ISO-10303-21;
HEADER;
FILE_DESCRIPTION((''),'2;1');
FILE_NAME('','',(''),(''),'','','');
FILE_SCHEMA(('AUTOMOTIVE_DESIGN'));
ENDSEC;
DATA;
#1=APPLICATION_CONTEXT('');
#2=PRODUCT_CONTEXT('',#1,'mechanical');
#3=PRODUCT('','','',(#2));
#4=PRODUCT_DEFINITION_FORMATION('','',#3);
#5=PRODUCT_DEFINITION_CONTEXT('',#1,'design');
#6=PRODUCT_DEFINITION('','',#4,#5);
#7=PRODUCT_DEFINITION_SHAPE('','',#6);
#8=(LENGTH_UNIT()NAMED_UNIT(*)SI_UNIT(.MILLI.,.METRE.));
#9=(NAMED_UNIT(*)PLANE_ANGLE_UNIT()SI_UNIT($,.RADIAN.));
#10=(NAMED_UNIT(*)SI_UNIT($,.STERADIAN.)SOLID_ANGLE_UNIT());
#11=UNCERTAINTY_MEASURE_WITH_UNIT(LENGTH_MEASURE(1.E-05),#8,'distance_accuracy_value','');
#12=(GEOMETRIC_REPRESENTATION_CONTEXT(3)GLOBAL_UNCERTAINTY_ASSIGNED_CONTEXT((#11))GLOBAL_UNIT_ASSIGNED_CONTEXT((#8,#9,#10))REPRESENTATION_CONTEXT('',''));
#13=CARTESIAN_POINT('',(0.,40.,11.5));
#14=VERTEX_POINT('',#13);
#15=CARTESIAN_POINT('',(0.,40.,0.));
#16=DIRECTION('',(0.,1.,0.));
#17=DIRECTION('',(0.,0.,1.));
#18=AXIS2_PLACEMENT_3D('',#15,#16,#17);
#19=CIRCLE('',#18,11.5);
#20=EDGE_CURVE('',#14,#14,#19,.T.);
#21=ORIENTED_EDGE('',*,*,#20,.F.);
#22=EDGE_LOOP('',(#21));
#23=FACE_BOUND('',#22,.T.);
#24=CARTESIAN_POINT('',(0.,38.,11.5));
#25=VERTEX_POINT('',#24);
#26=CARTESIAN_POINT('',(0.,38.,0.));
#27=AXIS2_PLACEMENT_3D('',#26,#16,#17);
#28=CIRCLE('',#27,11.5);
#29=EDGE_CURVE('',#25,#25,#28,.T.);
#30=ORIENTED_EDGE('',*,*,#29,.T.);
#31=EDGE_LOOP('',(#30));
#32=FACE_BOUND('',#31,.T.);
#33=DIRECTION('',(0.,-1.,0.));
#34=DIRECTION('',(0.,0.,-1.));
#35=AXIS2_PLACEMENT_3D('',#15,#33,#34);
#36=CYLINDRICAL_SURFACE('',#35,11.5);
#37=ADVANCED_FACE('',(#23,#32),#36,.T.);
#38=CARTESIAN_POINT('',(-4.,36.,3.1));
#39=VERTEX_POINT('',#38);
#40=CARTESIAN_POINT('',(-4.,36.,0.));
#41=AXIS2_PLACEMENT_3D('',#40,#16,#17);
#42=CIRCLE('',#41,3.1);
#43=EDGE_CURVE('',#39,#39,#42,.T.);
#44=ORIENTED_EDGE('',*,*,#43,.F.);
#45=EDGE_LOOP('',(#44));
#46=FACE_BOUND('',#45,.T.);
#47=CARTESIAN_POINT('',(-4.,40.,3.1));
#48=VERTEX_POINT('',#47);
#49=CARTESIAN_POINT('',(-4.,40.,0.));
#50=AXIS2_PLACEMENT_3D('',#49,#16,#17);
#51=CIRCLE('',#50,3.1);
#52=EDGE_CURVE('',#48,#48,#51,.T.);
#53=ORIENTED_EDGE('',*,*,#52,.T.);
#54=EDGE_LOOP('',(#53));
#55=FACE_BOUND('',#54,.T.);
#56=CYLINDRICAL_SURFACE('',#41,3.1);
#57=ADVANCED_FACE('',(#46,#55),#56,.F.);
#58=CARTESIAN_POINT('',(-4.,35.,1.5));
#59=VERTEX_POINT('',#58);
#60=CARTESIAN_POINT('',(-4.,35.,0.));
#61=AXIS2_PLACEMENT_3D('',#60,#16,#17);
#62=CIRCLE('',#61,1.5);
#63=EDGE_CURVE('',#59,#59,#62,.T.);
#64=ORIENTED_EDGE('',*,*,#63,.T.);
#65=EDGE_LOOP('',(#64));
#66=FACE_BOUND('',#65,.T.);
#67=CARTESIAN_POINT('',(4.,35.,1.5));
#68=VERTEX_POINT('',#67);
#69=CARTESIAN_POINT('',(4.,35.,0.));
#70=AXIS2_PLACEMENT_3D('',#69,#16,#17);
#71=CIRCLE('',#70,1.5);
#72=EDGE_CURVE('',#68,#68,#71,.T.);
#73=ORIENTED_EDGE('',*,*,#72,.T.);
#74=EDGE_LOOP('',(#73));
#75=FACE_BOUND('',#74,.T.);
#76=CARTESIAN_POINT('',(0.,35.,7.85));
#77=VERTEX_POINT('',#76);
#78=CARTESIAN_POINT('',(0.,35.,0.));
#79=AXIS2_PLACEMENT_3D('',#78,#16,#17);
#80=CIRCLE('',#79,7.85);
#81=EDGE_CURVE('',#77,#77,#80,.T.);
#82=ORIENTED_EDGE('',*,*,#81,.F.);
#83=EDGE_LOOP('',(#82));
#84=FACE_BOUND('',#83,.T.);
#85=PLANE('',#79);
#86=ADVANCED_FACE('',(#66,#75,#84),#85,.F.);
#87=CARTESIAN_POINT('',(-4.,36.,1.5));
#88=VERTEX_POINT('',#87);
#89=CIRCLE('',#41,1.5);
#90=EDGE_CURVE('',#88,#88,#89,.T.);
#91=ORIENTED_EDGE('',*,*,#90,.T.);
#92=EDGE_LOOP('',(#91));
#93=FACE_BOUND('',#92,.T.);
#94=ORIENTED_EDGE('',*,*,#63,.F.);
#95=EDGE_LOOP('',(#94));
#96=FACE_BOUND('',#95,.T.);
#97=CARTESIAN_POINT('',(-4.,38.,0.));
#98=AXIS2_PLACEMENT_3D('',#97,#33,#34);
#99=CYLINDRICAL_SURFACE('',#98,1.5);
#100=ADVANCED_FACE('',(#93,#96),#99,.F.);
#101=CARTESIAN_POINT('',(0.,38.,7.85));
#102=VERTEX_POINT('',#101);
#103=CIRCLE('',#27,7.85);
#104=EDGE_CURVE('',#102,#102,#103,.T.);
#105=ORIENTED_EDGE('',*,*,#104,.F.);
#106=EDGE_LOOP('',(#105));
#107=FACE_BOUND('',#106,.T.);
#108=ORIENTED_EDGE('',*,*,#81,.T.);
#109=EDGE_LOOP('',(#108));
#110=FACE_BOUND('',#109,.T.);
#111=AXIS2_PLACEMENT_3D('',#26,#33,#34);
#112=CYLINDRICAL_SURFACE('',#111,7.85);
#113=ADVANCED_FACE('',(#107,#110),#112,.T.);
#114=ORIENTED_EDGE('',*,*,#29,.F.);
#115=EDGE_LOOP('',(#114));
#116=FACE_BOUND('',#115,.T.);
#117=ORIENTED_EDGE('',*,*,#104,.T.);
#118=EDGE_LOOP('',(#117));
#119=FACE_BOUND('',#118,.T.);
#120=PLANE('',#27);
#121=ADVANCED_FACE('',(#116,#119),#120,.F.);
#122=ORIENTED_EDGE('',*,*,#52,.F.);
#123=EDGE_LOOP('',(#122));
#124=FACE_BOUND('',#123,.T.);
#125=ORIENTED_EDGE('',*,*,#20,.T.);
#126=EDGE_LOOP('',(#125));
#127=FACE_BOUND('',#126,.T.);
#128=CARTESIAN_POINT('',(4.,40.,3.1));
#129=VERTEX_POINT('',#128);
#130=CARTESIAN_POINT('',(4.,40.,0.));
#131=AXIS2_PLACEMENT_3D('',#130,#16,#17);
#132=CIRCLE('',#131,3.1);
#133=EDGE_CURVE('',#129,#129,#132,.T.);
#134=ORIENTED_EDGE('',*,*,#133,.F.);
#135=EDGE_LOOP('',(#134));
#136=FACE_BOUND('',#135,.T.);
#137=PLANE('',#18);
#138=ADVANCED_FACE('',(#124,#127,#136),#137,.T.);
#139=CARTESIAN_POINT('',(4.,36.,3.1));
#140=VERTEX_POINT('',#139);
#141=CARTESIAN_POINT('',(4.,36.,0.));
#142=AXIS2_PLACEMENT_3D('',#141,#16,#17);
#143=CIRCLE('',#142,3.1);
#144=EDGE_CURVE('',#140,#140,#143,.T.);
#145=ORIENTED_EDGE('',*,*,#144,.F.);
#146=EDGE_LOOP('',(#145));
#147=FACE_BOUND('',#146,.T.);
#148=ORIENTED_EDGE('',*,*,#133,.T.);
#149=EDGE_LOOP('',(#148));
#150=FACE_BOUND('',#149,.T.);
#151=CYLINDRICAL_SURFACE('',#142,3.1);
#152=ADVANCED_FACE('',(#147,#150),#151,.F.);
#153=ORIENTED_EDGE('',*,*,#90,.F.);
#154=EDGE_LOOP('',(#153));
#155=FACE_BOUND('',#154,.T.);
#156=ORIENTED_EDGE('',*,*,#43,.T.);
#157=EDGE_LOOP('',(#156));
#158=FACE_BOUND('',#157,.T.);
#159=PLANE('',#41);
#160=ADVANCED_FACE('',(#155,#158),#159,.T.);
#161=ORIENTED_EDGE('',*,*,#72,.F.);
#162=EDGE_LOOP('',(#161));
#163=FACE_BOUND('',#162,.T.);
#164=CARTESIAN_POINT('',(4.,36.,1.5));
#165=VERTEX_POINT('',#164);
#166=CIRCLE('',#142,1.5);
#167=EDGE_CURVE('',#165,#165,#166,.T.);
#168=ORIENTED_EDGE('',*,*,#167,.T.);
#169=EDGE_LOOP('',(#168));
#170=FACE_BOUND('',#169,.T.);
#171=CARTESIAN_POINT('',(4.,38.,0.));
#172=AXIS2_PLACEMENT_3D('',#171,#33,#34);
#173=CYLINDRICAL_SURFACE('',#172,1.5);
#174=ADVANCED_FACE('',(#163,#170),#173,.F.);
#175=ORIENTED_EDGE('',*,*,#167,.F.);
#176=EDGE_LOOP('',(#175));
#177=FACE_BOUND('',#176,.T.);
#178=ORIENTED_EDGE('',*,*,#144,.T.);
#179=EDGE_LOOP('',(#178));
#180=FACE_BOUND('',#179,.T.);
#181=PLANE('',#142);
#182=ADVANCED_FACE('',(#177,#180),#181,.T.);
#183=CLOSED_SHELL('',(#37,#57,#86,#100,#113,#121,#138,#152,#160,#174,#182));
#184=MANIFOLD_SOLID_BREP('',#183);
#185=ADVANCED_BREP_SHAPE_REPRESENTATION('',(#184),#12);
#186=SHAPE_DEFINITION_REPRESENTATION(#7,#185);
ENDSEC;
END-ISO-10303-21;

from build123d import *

# Parameters (mm, degrees)
SKETCH1_R           = 7.85
SKETCH1_R_2         = 1.5
BOSS_EXTRUDE1_DEPTH = 3
SKETCH2_R           = 11.5
SKETCH2_R_2         = 1.5
BOSS_EXTRUDE2_DEPTH = 2
SKETCH3_R           = 3.1
CUT_EXTRUDE1_DEPTH  = 4


with BuildPart() as part:
    # Sketch1 → Boss-Extrude1 (new body)
    with BuildSketch(Plane(origin=(0, 35, 0), x_dir=(1, 0, 0), z_dir=(0, 1, 0))):
        Circle(SKETCH1_R)
        with Locations((-4, 0)):
            Circle(SKETCH1_R_2, mode=Mode.SUBTRACT)
        with Locations((4, 0)):
            Circle(SKETCH1_R_2, mode=Mode.SUBTRACT)
    extrude(amount=BOSS_EXTRUDE1_DEPTH)

    # Sketch2 → Boss-Extrude2 (add)
    with BuildSketch(Plane(origin=(0, 38, 0), x_dir=(1, 0, 0), z_dir=(0, 1, 0))):
        Circle(SKETCH2_R)
        with Locations((-4, 0)):
            Circle(SKETCH2_R_2, mode=Mode.SUBTRACT)
        with Locations((4, 0)):
            Circle(SKETCH2_R_2, mode=Mode.SUBTRACT)
    extrude(amount=BOSS_EXTRUDE2_DEPTH)

    # Sketch3 → Cut-Extrude1 (cut)
    with BuildSketch(Plane(origin=(0, 40, 0), x_dir=(1, 0, 0), z_dir=(0, 1, 0))):
        with Locations((-4, 0)):
            Circle(SKETCH3_R)
        with Locations((4, 0)):
            Circle(SKETCH3_R)
    extrude(amount=-CUT_EXTRUDE1_DEPTH, mode=Mode.SUBTRACT)


solid = part.part
